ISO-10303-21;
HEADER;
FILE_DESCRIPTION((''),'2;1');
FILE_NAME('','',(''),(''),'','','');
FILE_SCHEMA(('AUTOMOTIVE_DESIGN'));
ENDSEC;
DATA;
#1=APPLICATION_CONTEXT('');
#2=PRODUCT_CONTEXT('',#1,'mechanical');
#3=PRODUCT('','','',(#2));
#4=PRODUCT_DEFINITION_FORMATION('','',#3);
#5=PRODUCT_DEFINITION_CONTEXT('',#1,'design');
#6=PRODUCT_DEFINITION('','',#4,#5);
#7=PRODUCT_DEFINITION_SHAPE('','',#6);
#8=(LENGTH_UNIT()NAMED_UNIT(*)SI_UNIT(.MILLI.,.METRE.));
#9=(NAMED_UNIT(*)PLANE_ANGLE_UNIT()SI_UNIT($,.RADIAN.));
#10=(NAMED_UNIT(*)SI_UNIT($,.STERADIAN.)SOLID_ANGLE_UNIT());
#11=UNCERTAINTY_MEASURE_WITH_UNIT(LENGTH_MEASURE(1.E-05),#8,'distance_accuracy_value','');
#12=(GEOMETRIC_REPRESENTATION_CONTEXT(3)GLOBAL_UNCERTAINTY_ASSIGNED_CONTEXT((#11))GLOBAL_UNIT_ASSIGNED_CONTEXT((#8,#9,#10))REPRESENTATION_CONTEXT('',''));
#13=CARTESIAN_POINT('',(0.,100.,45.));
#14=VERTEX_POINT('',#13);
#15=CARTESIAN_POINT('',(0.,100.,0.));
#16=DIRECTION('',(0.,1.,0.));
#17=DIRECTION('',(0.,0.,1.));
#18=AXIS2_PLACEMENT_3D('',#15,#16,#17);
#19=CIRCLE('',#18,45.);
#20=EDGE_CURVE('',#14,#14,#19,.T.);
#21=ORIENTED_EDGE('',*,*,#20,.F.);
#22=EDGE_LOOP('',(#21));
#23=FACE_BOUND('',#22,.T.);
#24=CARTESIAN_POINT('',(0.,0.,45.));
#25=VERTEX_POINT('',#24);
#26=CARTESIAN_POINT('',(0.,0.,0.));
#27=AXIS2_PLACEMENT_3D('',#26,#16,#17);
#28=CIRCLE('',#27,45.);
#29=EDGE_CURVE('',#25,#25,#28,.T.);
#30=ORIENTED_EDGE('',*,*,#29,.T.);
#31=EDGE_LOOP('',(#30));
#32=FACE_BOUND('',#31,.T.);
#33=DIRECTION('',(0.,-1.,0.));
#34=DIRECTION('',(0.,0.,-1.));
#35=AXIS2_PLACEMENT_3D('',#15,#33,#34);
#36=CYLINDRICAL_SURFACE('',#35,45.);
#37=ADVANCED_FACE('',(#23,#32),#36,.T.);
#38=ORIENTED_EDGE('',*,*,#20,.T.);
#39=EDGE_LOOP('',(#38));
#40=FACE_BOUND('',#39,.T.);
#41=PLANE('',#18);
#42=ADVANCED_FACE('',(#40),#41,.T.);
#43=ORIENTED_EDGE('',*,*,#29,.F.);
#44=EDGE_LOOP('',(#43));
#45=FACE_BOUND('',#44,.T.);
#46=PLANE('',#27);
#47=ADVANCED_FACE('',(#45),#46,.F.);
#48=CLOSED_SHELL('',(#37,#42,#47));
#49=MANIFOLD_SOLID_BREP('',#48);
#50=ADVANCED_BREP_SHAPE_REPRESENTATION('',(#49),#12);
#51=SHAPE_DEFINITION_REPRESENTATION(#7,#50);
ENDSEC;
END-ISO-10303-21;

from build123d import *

# Parameters (mm, degrees)
SKETCH1_R           = 45
BOSS_EXTRUDE1_DEPTH = 100


with BuildPart() as part:
    # Sketch1 → Boss-Extrude1 (new body)
    with BuildSketch(Plane(origin=(0, 0, 0), x_dir=(1, 0, 0), z_dir=(0, 1, 0))):
        Circle(SKETCH1_R)
    extrude(amount=BOSS_EXTRUDE1_DEPTH)


solid = part.part
